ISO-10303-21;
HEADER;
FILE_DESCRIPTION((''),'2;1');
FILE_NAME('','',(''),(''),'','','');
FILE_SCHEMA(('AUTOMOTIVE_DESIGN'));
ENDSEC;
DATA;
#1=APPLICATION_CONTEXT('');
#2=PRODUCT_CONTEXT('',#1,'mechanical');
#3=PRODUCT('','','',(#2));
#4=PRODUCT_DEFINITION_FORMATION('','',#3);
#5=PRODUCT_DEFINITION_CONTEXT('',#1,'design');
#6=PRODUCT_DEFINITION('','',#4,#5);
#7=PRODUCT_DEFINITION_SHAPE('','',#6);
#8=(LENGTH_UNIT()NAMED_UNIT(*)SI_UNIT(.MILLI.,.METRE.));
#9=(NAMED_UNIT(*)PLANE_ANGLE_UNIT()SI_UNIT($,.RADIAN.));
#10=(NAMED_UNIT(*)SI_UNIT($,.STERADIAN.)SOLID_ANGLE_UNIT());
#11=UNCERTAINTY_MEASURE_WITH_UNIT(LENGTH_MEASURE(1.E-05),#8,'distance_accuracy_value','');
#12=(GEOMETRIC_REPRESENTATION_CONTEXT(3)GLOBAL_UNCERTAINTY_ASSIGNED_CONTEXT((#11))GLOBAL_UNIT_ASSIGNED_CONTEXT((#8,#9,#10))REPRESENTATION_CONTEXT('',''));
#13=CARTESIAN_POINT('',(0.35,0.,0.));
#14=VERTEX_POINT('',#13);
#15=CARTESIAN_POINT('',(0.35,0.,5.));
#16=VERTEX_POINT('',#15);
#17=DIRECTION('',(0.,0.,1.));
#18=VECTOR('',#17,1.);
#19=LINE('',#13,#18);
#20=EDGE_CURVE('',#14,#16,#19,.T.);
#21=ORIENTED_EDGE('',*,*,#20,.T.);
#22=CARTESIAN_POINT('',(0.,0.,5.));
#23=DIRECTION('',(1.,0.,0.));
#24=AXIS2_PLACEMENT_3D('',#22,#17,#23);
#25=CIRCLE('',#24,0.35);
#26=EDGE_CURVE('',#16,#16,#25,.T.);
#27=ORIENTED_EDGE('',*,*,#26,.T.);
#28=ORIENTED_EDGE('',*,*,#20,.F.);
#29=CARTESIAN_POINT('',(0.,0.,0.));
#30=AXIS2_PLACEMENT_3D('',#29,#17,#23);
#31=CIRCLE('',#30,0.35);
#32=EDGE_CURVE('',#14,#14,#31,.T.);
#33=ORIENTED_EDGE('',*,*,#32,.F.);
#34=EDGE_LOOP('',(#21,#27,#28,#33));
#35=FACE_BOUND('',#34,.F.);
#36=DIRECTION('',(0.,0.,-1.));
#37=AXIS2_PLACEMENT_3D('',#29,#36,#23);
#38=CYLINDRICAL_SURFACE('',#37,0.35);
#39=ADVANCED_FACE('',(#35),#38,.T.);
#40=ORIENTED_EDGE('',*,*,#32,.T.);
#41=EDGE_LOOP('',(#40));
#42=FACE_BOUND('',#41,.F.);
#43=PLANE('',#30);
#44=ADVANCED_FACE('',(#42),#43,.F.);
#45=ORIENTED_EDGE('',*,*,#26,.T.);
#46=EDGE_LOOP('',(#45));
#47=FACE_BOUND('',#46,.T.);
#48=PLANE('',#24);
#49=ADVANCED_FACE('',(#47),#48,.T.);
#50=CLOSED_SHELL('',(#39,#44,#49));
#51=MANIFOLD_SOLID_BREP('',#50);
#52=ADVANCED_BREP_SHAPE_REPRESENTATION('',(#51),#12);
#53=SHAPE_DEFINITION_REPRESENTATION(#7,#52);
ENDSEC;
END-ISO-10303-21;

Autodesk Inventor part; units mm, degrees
ref_plane "YZ Plane" through (0, 0, 0) normal (1, 0, 0) x (0, 1, 0)
ref_plane "XZ Plane" through (0, 0, 0) normal (0, 1, 0) x (-1, 0, 0)
ref_plane "XY Plane" through (0, 0, 0) normal (0, 0, 1) x (1, 0, 0)
sketch "Sketch1" plane through (0, 0, 0) normal (0, 0, 1) x (1, 0, 0)
  circle A0 centre (0, 0) radius 0.35
  dimension "d0" = 0.7
extrude "Extrusion1" add sketch "Sketch1" along normal blind 5
sketch "Sketch2" plane through (0, 0, 0) normal (0, 0, -1) x (-1, 0, 0)
  circle A0 centre (0, 0) radius 0.35 projected
properties part number "yellowribbon"
